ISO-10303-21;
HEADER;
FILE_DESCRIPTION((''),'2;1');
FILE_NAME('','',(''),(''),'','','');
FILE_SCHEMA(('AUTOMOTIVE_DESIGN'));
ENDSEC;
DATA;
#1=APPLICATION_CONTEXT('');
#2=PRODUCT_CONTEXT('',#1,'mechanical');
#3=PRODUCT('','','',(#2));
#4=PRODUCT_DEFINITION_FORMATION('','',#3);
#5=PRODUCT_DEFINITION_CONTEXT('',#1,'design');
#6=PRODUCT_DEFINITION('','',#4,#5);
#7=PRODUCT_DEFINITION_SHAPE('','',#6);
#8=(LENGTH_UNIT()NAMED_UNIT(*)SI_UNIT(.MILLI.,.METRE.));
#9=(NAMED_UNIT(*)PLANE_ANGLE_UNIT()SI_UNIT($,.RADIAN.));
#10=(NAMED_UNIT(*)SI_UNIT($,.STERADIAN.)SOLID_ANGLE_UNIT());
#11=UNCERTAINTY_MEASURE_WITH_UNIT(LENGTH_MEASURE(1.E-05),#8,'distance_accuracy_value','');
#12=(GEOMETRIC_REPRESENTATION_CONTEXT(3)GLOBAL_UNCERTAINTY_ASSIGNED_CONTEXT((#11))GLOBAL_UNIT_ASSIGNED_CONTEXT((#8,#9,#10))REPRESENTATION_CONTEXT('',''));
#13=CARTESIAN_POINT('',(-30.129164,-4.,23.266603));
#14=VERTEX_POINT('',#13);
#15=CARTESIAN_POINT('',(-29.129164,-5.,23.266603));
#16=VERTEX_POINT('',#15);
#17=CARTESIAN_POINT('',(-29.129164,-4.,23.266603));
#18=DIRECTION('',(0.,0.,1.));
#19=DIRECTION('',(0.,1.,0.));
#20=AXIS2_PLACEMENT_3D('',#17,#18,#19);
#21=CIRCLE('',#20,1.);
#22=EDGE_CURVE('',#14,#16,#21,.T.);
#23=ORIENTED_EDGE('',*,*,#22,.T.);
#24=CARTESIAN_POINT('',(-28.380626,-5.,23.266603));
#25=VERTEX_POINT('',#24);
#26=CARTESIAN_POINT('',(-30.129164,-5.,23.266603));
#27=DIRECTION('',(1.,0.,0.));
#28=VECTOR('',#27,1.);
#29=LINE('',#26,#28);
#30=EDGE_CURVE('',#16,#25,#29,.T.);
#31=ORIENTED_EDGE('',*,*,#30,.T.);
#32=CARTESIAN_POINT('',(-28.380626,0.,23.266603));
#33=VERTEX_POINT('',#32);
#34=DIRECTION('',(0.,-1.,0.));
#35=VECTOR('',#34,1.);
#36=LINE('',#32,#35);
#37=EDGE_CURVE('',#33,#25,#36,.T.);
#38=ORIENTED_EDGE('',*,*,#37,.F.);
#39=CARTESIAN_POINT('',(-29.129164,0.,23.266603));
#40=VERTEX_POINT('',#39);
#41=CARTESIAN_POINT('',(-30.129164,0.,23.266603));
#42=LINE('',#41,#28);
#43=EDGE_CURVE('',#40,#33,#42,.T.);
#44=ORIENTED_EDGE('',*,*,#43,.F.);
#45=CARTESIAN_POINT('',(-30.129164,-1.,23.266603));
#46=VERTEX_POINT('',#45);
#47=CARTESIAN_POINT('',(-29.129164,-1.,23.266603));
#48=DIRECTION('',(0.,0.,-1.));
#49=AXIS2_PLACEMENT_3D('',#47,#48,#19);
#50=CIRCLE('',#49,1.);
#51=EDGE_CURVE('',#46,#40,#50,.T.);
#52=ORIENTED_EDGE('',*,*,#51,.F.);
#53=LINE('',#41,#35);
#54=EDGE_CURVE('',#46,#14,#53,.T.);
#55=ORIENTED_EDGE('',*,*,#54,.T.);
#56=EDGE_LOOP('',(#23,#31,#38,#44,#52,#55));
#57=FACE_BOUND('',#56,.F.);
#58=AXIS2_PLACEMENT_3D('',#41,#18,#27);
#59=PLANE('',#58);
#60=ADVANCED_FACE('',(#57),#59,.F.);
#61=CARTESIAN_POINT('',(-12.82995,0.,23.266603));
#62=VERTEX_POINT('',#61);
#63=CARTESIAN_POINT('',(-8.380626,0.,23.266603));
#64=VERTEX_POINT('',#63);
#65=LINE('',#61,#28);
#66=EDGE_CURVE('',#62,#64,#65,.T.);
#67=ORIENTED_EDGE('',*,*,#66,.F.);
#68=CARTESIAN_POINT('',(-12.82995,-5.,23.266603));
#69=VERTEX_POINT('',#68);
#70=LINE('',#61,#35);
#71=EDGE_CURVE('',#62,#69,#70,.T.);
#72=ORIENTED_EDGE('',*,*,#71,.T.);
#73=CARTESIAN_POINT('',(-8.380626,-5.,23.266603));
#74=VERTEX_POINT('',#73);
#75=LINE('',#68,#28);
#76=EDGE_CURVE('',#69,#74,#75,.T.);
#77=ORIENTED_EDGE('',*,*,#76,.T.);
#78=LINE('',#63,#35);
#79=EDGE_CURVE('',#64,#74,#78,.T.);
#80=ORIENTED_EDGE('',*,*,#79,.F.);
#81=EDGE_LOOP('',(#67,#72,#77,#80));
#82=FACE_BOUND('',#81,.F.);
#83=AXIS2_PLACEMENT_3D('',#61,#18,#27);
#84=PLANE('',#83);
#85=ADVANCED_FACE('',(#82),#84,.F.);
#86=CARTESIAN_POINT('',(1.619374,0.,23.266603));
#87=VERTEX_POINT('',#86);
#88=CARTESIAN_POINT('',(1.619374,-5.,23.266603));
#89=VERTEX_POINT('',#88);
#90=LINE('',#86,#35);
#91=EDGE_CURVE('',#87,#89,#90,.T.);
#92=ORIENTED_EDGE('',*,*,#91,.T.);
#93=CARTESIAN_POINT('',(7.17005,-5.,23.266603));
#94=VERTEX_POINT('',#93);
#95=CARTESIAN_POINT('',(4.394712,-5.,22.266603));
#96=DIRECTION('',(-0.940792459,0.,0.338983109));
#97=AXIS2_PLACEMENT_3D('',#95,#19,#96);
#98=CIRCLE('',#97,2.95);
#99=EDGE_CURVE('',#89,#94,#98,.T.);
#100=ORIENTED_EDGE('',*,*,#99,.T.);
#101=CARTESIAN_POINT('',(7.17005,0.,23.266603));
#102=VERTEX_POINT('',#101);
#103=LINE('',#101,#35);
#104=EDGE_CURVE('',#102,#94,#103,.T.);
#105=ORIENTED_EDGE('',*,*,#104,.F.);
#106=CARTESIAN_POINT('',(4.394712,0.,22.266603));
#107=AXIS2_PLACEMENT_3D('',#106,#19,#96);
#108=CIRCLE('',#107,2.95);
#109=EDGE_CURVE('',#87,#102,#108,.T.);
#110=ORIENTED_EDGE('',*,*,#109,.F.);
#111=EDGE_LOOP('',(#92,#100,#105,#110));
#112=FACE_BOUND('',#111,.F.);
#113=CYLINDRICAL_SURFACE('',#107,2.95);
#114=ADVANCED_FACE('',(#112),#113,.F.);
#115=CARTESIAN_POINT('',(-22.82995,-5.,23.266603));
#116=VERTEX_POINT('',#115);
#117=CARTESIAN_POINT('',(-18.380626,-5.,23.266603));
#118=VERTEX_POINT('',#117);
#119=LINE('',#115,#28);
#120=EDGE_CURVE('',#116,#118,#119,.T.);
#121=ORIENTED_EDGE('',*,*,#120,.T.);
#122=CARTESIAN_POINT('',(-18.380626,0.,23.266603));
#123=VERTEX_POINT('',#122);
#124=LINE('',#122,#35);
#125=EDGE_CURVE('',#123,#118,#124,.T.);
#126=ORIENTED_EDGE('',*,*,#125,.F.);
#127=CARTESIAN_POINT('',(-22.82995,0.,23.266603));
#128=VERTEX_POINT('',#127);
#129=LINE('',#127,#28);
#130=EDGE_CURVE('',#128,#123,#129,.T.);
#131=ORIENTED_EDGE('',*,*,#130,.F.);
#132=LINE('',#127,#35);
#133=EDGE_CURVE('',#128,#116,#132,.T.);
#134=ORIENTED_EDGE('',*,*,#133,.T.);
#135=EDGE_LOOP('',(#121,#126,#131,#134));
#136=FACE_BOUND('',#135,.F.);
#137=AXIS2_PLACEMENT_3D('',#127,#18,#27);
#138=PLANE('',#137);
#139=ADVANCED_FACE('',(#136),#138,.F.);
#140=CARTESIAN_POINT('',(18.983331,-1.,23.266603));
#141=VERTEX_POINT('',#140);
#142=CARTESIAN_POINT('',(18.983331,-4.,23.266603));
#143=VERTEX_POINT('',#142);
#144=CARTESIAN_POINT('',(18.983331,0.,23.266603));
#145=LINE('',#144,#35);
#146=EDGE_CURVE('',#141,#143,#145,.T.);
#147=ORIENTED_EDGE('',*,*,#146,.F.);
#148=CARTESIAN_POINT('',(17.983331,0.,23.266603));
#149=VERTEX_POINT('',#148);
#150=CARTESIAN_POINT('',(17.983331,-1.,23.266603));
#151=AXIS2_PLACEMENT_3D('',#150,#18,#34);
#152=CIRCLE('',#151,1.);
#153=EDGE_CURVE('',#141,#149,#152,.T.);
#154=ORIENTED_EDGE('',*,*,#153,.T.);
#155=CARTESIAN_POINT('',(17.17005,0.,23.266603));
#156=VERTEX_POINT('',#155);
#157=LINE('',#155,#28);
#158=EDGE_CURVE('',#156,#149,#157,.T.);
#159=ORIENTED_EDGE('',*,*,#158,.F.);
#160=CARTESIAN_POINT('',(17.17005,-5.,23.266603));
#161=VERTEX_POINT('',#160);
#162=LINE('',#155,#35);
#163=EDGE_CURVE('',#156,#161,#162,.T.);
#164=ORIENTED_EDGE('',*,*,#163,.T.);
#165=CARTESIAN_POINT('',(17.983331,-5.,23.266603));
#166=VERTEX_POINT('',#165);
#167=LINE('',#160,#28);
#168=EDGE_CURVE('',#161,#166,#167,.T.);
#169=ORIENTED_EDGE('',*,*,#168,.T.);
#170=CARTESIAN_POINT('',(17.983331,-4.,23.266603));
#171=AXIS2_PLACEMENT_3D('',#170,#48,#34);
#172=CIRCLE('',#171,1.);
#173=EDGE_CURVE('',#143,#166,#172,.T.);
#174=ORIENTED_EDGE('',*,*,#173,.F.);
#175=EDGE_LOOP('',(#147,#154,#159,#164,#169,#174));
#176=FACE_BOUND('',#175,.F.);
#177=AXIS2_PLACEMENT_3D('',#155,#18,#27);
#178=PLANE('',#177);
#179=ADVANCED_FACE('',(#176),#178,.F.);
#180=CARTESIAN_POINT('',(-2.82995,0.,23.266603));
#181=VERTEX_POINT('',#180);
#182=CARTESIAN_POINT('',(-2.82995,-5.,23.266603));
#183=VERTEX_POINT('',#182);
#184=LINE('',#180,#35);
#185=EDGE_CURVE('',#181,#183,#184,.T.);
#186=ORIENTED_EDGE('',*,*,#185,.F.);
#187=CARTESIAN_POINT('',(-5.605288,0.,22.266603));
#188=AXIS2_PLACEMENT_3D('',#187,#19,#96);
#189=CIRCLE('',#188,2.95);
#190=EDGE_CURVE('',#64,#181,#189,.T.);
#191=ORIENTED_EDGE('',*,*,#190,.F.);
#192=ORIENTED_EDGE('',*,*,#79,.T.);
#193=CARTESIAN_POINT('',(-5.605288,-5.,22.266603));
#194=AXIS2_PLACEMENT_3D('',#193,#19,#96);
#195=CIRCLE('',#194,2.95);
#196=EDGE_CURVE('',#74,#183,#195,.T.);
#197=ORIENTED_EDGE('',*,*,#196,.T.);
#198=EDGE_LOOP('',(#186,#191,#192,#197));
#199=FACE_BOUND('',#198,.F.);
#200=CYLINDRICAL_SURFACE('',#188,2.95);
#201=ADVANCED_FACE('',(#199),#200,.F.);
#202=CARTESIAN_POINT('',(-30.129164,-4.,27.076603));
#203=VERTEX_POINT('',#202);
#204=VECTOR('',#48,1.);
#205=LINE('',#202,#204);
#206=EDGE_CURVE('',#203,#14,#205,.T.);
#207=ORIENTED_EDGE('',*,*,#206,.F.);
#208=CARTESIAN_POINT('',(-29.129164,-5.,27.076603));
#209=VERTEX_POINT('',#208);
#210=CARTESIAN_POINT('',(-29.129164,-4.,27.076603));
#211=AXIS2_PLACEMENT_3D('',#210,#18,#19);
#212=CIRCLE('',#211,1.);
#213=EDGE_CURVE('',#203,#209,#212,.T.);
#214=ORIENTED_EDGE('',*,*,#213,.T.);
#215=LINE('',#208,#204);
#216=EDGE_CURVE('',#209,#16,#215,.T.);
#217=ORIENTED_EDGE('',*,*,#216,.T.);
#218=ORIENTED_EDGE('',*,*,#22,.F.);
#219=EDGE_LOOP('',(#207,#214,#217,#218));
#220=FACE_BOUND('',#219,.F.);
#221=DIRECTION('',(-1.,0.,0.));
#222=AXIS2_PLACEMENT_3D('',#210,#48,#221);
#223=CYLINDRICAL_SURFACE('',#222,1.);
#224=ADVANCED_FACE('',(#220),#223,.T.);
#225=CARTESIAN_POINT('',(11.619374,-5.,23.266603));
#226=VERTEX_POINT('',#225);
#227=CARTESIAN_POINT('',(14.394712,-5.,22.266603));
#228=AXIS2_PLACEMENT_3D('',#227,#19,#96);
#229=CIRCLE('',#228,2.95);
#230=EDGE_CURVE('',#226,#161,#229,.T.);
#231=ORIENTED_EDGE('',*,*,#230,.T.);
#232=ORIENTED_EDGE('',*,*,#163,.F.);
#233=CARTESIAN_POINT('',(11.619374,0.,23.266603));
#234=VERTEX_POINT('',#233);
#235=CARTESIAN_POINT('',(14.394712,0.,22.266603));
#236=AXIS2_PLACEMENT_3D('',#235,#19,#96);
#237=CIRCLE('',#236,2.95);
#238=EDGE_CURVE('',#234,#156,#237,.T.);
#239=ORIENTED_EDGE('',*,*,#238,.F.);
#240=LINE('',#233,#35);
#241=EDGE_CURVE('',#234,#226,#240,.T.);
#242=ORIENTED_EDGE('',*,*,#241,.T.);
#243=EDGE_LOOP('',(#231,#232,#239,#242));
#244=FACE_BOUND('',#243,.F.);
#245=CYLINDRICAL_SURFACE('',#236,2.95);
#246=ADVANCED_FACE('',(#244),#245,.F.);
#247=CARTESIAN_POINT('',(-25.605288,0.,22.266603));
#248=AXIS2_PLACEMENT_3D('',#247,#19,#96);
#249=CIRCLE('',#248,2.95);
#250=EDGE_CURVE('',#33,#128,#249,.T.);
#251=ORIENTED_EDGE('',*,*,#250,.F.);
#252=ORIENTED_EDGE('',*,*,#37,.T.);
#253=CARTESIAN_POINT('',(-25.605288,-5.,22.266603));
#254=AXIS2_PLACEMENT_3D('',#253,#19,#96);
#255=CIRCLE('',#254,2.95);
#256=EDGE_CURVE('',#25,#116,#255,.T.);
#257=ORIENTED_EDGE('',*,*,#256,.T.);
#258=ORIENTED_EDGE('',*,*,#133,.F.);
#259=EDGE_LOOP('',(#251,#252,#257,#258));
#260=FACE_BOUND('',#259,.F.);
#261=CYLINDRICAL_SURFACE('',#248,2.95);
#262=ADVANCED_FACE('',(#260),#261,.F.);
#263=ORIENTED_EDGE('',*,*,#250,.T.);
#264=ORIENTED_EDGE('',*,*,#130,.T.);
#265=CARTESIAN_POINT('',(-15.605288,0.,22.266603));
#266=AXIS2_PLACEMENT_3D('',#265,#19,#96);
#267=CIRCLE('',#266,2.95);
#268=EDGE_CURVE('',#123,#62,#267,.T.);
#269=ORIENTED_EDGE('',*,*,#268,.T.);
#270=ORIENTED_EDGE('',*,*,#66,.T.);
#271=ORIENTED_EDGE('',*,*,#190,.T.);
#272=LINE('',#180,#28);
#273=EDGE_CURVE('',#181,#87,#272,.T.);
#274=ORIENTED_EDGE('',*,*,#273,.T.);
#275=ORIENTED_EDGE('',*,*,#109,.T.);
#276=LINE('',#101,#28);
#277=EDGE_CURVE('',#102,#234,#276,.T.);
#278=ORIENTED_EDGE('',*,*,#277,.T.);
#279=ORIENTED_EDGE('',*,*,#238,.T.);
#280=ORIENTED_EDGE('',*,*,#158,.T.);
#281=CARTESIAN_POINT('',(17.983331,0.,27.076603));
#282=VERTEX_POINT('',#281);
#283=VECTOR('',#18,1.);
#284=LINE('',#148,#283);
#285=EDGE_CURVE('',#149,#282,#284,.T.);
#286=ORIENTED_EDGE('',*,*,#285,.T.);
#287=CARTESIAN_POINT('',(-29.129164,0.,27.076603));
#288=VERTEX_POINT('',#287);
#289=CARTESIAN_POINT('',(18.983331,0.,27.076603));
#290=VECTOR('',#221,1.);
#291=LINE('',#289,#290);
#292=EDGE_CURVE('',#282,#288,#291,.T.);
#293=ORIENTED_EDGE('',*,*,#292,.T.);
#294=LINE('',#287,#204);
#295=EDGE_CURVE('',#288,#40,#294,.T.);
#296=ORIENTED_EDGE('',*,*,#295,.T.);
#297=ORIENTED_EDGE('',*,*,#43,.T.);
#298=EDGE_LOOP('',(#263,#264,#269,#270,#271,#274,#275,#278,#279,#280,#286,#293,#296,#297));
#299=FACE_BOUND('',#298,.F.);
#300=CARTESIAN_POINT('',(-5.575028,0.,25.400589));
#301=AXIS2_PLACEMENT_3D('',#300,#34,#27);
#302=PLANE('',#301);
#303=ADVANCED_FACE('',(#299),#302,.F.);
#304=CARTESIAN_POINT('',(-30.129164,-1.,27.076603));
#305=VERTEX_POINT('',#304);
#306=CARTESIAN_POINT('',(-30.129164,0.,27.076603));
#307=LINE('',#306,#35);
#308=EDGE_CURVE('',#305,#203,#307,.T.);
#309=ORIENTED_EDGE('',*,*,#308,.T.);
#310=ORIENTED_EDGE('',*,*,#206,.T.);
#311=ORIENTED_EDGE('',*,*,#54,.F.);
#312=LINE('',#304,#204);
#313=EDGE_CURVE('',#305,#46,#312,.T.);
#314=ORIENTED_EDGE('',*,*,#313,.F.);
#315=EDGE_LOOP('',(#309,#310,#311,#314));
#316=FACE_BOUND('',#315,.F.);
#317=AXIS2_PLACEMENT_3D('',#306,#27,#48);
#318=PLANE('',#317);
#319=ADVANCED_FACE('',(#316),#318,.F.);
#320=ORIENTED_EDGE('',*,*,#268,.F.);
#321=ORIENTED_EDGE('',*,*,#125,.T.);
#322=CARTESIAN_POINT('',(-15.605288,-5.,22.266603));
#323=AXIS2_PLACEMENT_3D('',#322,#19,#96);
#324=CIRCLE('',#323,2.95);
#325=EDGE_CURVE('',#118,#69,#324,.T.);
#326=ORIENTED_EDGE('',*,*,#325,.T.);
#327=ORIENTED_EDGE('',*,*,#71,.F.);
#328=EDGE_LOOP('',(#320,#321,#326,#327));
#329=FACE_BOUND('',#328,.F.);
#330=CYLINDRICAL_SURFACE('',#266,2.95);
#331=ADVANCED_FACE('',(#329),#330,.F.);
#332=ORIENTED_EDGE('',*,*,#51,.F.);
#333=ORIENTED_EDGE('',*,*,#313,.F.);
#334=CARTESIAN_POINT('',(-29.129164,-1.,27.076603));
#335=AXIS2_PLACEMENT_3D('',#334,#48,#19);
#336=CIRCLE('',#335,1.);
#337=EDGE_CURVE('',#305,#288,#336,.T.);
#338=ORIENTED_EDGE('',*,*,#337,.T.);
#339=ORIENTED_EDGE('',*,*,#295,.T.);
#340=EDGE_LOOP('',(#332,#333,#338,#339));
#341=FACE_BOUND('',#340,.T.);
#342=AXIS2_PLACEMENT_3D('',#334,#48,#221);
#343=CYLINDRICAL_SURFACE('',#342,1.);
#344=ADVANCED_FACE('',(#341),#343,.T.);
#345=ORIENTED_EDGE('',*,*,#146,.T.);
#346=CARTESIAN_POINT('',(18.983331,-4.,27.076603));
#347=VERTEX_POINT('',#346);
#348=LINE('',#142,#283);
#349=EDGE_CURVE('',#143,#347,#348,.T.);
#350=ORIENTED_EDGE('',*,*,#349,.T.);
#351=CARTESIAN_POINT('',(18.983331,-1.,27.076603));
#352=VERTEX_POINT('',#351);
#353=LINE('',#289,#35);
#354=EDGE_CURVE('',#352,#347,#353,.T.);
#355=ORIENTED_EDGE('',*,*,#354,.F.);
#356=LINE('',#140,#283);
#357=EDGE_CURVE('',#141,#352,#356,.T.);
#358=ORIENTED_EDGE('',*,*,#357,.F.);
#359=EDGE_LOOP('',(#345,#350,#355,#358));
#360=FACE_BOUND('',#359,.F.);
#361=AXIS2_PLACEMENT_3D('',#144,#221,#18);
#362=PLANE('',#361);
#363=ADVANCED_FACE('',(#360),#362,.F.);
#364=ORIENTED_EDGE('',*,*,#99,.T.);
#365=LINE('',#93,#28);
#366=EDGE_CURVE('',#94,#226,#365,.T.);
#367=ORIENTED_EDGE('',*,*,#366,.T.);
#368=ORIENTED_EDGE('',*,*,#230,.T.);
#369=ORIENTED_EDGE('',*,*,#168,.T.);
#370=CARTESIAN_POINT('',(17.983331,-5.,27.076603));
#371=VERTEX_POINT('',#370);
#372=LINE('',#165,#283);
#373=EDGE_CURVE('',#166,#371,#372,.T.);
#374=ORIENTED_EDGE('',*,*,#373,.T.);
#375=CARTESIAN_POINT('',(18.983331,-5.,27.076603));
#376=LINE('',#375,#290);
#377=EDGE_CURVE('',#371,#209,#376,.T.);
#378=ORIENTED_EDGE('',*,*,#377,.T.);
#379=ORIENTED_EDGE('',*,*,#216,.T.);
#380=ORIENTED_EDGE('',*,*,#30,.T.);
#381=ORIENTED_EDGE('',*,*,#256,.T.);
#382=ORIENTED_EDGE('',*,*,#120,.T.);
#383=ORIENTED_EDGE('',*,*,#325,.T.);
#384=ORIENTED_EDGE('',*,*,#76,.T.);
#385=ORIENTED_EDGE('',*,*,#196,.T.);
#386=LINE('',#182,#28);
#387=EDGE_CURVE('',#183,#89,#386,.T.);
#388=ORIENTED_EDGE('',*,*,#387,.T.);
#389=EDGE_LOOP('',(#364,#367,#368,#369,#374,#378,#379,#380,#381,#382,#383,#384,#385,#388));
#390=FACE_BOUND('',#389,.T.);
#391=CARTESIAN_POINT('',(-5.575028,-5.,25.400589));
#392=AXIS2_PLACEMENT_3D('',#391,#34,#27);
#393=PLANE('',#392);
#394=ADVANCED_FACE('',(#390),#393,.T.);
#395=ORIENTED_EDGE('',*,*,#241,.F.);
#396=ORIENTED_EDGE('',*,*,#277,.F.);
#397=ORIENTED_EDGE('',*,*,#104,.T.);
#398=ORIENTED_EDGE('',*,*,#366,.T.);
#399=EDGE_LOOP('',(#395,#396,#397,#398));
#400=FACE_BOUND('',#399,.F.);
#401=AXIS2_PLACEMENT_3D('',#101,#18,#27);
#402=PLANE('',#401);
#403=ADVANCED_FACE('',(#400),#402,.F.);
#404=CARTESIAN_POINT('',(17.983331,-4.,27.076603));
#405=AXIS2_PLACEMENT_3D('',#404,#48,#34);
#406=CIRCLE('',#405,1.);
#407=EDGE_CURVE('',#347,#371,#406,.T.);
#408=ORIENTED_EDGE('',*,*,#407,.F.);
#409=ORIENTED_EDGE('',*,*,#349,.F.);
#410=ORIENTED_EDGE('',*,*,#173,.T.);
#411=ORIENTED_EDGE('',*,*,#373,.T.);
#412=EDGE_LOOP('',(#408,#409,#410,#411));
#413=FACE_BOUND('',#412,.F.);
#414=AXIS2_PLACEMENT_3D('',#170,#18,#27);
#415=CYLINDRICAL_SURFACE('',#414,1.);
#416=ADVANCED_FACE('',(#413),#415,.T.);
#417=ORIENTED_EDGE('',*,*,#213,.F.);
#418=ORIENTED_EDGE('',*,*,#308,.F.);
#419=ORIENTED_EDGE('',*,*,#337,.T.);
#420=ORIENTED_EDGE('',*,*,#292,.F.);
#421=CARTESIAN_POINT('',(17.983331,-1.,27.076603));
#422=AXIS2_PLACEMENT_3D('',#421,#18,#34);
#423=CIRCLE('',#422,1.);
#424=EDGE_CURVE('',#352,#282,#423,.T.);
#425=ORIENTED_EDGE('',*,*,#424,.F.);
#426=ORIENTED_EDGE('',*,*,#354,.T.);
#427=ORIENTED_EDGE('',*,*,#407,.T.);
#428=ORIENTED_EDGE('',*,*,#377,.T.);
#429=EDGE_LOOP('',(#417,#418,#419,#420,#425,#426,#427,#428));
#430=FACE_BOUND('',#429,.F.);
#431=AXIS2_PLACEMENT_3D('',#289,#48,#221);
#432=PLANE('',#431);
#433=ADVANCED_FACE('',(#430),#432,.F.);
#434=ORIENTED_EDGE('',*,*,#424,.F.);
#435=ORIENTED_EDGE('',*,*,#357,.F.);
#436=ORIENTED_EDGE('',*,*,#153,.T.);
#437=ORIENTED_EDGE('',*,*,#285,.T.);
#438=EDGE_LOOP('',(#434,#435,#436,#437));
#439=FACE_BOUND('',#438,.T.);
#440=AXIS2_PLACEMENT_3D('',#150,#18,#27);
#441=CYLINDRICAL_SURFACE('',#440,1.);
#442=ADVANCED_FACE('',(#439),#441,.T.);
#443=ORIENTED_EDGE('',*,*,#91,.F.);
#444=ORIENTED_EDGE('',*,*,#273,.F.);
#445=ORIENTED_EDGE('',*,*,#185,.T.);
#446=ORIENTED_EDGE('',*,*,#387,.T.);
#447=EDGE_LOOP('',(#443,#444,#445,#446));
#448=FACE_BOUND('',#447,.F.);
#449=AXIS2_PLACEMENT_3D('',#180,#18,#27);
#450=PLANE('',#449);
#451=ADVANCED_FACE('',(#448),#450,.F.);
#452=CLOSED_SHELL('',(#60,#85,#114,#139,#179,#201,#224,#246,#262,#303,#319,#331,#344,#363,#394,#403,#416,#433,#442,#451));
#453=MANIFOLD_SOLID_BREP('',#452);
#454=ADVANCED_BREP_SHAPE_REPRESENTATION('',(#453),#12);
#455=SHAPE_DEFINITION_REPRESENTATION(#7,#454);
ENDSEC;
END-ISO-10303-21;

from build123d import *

# Parameters (mm, degrees)
F1_DEPTH = 5
F2_R     = 1


with BuildPart() as f1:
    # F0 (on Front) → F1 (new body)
    with BuildSketch(Plane.XZ):
        with BuildLine():
            ThreePointArc((-28.380626, 23.266603), (-25.605288, 25.216603), (-22.82995, 23.266603))
            Line((-22.82995, 23.266603), (-18.380626, 23.266603))
            ThreePointArc((-18.380626, 23.266603), (-15.605288, 25.216603), (-12.82995, 23.266603))
            Line((-12.82995, 23.266603), (-8.380626, 23.266603))
            ThreePointArc((-8.380626, 23.266603), (-5.605288, 25.216603), (-2.82995, 23.266603))
            Line((-2.82995, 23.266603), (1.619374, 23.266603))
            ThreePointArc((1.619374, 23.266603), (4.394712, 25.216603), (7.17005, 23.266603))
            Line((7.17005, 23.266603), (11.619374, 23.266603))
            ThreePointArc((11.619374, 23.266603), (14.394712, 25.216603), (17.17005, 23.266603))
            Line((17.17005, 23.266603), (18.983331, 23.266603))
            Line((18.983331, 23.266603), (18.983331, 27.076603))
            Line((18.983331, 27.076603), (-30.129164, 27.076603))
            Line((-30.129164, 27.076603), (-30.129164, 23.266603))
            Line((-30.129164, 23.266603), (-28.380626, 23.266603))
        make_face()
    extrude(amount=F1_DEPTH)

    # F2
    f2_edges = [f1.edges().sort_by_distance(p)[0] for p in [
        (-30.129164, -5, 25.171603),
        (-30.129164, 0, 25.171603),
        (18.983331, -5, 25.171603),
        (18.983331, 0, 25.171603),
    ]]
    fillet(f2_edges, radius=F2_R)


solid = f1.part
